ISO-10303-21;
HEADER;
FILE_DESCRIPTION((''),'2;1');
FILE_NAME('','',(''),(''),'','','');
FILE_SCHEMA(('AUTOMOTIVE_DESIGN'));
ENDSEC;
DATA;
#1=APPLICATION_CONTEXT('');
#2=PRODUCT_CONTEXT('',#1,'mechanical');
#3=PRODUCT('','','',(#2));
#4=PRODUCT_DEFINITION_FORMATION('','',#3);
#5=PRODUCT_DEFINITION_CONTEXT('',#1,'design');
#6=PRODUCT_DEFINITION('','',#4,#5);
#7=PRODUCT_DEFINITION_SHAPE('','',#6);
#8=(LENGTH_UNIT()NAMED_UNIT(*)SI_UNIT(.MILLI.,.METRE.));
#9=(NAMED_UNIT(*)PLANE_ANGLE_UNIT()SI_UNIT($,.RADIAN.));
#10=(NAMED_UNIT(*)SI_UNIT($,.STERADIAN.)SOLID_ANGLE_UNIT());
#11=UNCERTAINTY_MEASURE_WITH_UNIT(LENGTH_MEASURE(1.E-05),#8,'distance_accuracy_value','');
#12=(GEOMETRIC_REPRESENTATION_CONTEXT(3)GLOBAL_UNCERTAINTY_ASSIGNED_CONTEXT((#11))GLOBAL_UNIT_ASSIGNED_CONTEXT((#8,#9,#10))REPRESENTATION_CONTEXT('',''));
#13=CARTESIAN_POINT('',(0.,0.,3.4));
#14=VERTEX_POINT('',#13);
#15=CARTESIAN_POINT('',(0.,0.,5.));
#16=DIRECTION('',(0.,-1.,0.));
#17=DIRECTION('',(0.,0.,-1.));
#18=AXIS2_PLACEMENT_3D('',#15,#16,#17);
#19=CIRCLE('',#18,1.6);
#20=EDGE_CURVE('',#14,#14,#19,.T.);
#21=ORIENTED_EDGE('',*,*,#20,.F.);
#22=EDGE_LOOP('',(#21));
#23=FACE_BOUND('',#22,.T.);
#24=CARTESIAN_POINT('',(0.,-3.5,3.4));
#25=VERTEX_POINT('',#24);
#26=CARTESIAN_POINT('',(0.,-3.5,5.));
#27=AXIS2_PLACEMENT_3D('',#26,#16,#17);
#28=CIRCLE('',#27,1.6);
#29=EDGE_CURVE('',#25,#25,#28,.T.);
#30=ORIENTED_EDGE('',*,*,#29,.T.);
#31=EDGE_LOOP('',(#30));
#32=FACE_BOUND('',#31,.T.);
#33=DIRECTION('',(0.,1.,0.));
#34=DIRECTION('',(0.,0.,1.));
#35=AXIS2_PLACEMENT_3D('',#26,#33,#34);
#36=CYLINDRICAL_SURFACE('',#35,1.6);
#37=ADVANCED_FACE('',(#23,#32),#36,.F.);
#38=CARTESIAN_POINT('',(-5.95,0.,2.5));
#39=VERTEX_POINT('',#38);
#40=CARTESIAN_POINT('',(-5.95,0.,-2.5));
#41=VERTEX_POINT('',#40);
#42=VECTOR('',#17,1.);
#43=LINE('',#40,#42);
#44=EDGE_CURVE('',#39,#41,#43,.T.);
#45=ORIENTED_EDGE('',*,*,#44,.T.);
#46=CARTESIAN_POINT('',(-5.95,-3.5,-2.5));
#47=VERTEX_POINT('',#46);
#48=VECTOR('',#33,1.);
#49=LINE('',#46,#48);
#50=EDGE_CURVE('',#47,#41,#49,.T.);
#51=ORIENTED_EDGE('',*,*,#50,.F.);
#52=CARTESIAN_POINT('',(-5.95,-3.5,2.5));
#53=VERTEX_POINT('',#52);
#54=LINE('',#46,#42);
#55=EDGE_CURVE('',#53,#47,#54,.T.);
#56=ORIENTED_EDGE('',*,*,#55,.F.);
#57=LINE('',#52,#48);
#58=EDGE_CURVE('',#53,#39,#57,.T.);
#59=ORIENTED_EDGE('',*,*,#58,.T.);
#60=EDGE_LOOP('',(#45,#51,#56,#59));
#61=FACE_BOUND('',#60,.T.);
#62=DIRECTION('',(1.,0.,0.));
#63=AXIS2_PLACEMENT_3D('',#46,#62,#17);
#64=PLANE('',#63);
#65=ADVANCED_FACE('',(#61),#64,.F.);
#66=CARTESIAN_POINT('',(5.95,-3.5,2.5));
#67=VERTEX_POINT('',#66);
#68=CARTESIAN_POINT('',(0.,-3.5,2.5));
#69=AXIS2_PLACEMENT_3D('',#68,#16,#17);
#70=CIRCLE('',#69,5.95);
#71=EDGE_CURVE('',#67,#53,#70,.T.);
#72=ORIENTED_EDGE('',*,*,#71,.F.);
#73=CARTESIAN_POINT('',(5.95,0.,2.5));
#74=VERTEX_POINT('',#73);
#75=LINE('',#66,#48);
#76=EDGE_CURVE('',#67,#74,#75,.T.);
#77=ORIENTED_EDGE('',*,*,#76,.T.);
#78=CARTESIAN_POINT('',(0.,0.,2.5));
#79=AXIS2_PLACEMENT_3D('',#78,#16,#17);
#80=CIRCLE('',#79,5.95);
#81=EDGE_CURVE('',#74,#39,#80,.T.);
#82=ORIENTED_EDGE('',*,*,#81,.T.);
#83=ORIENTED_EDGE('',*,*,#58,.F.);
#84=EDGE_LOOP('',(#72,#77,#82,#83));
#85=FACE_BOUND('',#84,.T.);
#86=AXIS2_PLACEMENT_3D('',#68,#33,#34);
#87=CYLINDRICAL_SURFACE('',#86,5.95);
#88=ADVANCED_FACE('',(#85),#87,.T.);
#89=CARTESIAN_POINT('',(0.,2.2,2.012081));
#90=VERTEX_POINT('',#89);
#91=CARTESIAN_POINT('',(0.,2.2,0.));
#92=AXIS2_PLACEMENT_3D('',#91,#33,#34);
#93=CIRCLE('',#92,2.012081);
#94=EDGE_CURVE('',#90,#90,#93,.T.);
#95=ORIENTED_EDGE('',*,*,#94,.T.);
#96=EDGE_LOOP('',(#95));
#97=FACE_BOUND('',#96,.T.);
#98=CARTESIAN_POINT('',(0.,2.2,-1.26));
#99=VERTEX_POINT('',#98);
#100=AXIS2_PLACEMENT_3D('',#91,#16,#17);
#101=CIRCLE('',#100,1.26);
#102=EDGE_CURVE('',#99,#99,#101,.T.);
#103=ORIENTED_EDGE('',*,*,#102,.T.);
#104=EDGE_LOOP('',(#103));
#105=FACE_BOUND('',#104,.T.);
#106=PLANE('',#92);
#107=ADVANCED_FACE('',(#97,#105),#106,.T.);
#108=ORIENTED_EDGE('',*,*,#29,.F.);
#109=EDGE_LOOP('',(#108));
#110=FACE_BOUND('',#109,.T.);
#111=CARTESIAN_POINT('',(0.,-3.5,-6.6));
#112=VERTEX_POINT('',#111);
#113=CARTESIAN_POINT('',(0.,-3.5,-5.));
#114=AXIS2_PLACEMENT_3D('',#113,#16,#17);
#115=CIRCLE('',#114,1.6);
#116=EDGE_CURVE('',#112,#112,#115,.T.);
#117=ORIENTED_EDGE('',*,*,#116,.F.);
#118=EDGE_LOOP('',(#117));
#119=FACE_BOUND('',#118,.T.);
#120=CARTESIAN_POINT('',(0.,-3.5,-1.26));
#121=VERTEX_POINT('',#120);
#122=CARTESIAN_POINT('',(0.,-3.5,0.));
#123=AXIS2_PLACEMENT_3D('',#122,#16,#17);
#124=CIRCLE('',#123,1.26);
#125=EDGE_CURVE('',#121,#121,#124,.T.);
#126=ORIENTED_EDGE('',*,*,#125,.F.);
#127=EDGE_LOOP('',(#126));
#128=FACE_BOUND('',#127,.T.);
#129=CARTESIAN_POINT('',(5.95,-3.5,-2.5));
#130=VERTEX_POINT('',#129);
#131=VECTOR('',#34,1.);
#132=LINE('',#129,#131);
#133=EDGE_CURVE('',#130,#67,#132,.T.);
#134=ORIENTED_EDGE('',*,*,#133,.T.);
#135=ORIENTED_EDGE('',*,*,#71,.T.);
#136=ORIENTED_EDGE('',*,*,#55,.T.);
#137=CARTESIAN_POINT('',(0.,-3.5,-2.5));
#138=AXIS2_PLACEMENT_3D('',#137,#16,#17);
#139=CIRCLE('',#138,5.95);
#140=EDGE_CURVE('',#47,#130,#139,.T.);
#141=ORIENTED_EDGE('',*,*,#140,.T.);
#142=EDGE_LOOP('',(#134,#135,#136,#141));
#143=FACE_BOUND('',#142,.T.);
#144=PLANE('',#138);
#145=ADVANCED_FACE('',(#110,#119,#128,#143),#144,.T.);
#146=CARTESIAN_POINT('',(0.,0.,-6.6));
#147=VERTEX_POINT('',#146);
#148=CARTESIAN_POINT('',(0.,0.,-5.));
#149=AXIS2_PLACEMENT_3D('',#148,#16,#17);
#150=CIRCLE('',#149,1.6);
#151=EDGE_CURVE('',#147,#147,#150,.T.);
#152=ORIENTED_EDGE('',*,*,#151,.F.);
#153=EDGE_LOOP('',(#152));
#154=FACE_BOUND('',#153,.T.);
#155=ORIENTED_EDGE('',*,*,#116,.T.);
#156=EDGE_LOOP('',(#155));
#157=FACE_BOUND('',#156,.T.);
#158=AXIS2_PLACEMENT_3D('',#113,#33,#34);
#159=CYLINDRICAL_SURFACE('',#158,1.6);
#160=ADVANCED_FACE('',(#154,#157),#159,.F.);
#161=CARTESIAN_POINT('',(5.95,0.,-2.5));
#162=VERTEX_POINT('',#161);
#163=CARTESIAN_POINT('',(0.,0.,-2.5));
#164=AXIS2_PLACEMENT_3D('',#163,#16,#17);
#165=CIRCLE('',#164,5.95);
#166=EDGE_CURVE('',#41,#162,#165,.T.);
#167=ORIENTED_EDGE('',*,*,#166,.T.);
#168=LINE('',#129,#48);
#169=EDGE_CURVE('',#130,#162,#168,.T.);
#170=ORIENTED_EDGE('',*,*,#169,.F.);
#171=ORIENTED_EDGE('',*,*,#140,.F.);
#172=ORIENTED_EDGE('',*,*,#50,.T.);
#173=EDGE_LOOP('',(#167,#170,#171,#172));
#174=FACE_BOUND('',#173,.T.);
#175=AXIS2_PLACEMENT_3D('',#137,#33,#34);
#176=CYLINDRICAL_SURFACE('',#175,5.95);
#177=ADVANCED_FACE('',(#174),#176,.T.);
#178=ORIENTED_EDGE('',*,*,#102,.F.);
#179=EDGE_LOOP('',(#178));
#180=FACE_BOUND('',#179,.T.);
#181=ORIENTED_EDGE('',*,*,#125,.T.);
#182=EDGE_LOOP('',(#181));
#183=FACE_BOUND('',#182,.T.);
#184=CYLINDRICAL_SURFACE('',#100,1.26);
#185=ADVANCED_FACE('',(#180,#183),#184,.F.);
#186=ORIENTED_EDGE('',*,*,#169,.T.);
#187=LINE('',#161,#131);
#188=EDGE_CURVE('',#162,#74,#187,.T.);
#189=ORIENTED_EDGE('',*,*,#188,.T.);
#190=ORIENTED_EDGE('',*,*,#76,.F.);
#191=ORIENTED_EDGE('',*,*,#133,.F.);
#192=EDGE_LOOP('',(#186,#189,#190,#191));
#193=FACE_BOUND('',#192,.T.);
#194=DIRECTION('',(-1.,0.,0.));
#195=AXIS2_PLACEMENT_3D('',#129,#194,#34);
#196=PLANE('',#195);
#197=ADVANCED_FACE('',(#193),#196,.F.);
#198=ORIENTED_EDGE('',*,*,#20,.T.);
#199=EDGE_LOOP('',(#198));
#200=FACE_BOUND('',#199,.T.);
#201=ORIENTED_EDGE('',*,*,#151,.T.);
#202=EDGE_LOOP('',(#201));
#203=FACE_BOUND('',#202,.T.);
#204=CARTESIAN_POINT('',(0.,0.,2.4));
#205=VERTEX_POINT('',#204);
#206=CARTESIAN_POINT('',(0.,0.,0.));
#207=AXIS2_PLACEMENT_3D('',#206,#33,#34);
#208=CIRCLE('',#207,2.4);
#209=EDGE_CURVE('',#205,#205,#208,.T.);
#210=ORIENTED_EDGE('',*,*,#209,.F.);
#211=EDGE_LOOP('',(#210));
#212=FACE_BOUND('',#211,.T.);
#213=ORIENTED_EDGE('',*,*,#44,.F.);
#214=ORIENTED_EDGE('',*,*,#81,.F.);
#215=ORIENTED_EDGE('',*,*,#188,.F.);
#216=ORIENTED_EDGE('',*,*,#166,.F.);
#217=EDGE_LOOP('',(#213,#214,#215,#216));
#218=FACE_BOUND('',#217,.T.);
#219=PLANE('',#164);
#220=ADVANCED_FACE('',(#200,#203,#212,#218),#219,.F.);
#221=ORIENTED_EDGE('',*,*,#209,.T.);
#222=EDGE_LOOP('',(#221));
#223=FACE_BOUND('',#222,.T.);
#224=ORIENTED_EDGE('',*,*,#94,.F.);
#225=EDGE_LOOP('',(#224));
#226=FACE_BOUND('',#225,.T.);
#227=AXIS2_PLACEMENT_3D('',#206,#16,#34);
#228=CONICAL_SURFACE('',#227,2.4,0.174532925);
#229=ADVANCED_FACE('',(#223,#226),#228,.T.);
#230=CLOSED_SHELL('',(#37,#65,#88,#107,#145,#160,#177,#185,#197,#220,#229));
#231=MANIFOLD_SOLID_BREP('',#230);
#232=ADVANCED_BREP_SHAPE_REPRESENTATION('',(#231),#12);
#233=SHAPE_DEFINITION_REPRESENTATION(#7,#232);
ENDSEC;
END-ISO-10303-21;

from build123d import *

# Parameters (mm, degrees)
SKETCH1_R               = 2.4
BOSS_EXTRUDE1_DEPTH     = 2.2
BOSS_EXTRUDE1_TAPER     = 10
SKETCH2_R               = 1.6
BOSS_EXTRUDE2_DEPTH     = 3.5
CUT_EXTRUDE1_DEPTH      = 12.802330327
CUT_EXTRUDE1_DEPTH_BACK = 12.802330327
SKETCH4_R               = 1.26


with BuildPart() as part:
    # Sketch1 → Boss-Extrude1 (new body)
    with BuildSketch(Plane(origin=(0, 0, 0), x_dir=(1, 0, 0), z_dir=(0, 1, 0))):
        Circle(SKETCH1_R)
    extrude(amount=BOSS_EXTRUDE1_DEPTH, taper=BOSS_EXTRUDE1_TAPER)

    # Sketch2 → Boss-Extrude2 (add)
    with BuildSketch(Plane.XZ):
        with BuildLine():
            Line((-5.95, -2.5), (-5.95, 2.5))
            ThreePointArc((-5.95, 2.5), (0, 8.45), (5.95, 2.5))
            Line((5.95, 2.5), (5.95, -2.5))
            ThreePointArc((5.95, -2.5), (0, -8.45), (-5.95, -2.5))
        make_face()
        with Locations(Location((0, -5, 0), (0, 0, 270))):
            Circle(SKETCH2_R, mode=Mode.SUBTRACT)
        with Locations(Location((0, 5, 0), (0, 0, 270))):
            Circle(SKETCH2_R, mode=Mode.SUBTRACT)
    extrude(amount=BOSS_EXTRUDE2_DEPTH)

    # Sketch4 → Cut-Extrude1 (cut, two sides: drawn at the far end of the back side and taken through both)
    with BuildSketch(Plane.XZ.offset(3.5).offset(-CUT_EXTRUDE1_DEPTH_BACK)):
        with Locations(Location((0, 0, 0), (0, 0, 270))):
            Circle(SKETCH4_R)
    extrude(amount=CUT_EXTRUDE1_DEPTH + CUT_EXTRUDE1_DEPTH_BACK, mode=Mode.SUBTRACT)


solid = part.part
